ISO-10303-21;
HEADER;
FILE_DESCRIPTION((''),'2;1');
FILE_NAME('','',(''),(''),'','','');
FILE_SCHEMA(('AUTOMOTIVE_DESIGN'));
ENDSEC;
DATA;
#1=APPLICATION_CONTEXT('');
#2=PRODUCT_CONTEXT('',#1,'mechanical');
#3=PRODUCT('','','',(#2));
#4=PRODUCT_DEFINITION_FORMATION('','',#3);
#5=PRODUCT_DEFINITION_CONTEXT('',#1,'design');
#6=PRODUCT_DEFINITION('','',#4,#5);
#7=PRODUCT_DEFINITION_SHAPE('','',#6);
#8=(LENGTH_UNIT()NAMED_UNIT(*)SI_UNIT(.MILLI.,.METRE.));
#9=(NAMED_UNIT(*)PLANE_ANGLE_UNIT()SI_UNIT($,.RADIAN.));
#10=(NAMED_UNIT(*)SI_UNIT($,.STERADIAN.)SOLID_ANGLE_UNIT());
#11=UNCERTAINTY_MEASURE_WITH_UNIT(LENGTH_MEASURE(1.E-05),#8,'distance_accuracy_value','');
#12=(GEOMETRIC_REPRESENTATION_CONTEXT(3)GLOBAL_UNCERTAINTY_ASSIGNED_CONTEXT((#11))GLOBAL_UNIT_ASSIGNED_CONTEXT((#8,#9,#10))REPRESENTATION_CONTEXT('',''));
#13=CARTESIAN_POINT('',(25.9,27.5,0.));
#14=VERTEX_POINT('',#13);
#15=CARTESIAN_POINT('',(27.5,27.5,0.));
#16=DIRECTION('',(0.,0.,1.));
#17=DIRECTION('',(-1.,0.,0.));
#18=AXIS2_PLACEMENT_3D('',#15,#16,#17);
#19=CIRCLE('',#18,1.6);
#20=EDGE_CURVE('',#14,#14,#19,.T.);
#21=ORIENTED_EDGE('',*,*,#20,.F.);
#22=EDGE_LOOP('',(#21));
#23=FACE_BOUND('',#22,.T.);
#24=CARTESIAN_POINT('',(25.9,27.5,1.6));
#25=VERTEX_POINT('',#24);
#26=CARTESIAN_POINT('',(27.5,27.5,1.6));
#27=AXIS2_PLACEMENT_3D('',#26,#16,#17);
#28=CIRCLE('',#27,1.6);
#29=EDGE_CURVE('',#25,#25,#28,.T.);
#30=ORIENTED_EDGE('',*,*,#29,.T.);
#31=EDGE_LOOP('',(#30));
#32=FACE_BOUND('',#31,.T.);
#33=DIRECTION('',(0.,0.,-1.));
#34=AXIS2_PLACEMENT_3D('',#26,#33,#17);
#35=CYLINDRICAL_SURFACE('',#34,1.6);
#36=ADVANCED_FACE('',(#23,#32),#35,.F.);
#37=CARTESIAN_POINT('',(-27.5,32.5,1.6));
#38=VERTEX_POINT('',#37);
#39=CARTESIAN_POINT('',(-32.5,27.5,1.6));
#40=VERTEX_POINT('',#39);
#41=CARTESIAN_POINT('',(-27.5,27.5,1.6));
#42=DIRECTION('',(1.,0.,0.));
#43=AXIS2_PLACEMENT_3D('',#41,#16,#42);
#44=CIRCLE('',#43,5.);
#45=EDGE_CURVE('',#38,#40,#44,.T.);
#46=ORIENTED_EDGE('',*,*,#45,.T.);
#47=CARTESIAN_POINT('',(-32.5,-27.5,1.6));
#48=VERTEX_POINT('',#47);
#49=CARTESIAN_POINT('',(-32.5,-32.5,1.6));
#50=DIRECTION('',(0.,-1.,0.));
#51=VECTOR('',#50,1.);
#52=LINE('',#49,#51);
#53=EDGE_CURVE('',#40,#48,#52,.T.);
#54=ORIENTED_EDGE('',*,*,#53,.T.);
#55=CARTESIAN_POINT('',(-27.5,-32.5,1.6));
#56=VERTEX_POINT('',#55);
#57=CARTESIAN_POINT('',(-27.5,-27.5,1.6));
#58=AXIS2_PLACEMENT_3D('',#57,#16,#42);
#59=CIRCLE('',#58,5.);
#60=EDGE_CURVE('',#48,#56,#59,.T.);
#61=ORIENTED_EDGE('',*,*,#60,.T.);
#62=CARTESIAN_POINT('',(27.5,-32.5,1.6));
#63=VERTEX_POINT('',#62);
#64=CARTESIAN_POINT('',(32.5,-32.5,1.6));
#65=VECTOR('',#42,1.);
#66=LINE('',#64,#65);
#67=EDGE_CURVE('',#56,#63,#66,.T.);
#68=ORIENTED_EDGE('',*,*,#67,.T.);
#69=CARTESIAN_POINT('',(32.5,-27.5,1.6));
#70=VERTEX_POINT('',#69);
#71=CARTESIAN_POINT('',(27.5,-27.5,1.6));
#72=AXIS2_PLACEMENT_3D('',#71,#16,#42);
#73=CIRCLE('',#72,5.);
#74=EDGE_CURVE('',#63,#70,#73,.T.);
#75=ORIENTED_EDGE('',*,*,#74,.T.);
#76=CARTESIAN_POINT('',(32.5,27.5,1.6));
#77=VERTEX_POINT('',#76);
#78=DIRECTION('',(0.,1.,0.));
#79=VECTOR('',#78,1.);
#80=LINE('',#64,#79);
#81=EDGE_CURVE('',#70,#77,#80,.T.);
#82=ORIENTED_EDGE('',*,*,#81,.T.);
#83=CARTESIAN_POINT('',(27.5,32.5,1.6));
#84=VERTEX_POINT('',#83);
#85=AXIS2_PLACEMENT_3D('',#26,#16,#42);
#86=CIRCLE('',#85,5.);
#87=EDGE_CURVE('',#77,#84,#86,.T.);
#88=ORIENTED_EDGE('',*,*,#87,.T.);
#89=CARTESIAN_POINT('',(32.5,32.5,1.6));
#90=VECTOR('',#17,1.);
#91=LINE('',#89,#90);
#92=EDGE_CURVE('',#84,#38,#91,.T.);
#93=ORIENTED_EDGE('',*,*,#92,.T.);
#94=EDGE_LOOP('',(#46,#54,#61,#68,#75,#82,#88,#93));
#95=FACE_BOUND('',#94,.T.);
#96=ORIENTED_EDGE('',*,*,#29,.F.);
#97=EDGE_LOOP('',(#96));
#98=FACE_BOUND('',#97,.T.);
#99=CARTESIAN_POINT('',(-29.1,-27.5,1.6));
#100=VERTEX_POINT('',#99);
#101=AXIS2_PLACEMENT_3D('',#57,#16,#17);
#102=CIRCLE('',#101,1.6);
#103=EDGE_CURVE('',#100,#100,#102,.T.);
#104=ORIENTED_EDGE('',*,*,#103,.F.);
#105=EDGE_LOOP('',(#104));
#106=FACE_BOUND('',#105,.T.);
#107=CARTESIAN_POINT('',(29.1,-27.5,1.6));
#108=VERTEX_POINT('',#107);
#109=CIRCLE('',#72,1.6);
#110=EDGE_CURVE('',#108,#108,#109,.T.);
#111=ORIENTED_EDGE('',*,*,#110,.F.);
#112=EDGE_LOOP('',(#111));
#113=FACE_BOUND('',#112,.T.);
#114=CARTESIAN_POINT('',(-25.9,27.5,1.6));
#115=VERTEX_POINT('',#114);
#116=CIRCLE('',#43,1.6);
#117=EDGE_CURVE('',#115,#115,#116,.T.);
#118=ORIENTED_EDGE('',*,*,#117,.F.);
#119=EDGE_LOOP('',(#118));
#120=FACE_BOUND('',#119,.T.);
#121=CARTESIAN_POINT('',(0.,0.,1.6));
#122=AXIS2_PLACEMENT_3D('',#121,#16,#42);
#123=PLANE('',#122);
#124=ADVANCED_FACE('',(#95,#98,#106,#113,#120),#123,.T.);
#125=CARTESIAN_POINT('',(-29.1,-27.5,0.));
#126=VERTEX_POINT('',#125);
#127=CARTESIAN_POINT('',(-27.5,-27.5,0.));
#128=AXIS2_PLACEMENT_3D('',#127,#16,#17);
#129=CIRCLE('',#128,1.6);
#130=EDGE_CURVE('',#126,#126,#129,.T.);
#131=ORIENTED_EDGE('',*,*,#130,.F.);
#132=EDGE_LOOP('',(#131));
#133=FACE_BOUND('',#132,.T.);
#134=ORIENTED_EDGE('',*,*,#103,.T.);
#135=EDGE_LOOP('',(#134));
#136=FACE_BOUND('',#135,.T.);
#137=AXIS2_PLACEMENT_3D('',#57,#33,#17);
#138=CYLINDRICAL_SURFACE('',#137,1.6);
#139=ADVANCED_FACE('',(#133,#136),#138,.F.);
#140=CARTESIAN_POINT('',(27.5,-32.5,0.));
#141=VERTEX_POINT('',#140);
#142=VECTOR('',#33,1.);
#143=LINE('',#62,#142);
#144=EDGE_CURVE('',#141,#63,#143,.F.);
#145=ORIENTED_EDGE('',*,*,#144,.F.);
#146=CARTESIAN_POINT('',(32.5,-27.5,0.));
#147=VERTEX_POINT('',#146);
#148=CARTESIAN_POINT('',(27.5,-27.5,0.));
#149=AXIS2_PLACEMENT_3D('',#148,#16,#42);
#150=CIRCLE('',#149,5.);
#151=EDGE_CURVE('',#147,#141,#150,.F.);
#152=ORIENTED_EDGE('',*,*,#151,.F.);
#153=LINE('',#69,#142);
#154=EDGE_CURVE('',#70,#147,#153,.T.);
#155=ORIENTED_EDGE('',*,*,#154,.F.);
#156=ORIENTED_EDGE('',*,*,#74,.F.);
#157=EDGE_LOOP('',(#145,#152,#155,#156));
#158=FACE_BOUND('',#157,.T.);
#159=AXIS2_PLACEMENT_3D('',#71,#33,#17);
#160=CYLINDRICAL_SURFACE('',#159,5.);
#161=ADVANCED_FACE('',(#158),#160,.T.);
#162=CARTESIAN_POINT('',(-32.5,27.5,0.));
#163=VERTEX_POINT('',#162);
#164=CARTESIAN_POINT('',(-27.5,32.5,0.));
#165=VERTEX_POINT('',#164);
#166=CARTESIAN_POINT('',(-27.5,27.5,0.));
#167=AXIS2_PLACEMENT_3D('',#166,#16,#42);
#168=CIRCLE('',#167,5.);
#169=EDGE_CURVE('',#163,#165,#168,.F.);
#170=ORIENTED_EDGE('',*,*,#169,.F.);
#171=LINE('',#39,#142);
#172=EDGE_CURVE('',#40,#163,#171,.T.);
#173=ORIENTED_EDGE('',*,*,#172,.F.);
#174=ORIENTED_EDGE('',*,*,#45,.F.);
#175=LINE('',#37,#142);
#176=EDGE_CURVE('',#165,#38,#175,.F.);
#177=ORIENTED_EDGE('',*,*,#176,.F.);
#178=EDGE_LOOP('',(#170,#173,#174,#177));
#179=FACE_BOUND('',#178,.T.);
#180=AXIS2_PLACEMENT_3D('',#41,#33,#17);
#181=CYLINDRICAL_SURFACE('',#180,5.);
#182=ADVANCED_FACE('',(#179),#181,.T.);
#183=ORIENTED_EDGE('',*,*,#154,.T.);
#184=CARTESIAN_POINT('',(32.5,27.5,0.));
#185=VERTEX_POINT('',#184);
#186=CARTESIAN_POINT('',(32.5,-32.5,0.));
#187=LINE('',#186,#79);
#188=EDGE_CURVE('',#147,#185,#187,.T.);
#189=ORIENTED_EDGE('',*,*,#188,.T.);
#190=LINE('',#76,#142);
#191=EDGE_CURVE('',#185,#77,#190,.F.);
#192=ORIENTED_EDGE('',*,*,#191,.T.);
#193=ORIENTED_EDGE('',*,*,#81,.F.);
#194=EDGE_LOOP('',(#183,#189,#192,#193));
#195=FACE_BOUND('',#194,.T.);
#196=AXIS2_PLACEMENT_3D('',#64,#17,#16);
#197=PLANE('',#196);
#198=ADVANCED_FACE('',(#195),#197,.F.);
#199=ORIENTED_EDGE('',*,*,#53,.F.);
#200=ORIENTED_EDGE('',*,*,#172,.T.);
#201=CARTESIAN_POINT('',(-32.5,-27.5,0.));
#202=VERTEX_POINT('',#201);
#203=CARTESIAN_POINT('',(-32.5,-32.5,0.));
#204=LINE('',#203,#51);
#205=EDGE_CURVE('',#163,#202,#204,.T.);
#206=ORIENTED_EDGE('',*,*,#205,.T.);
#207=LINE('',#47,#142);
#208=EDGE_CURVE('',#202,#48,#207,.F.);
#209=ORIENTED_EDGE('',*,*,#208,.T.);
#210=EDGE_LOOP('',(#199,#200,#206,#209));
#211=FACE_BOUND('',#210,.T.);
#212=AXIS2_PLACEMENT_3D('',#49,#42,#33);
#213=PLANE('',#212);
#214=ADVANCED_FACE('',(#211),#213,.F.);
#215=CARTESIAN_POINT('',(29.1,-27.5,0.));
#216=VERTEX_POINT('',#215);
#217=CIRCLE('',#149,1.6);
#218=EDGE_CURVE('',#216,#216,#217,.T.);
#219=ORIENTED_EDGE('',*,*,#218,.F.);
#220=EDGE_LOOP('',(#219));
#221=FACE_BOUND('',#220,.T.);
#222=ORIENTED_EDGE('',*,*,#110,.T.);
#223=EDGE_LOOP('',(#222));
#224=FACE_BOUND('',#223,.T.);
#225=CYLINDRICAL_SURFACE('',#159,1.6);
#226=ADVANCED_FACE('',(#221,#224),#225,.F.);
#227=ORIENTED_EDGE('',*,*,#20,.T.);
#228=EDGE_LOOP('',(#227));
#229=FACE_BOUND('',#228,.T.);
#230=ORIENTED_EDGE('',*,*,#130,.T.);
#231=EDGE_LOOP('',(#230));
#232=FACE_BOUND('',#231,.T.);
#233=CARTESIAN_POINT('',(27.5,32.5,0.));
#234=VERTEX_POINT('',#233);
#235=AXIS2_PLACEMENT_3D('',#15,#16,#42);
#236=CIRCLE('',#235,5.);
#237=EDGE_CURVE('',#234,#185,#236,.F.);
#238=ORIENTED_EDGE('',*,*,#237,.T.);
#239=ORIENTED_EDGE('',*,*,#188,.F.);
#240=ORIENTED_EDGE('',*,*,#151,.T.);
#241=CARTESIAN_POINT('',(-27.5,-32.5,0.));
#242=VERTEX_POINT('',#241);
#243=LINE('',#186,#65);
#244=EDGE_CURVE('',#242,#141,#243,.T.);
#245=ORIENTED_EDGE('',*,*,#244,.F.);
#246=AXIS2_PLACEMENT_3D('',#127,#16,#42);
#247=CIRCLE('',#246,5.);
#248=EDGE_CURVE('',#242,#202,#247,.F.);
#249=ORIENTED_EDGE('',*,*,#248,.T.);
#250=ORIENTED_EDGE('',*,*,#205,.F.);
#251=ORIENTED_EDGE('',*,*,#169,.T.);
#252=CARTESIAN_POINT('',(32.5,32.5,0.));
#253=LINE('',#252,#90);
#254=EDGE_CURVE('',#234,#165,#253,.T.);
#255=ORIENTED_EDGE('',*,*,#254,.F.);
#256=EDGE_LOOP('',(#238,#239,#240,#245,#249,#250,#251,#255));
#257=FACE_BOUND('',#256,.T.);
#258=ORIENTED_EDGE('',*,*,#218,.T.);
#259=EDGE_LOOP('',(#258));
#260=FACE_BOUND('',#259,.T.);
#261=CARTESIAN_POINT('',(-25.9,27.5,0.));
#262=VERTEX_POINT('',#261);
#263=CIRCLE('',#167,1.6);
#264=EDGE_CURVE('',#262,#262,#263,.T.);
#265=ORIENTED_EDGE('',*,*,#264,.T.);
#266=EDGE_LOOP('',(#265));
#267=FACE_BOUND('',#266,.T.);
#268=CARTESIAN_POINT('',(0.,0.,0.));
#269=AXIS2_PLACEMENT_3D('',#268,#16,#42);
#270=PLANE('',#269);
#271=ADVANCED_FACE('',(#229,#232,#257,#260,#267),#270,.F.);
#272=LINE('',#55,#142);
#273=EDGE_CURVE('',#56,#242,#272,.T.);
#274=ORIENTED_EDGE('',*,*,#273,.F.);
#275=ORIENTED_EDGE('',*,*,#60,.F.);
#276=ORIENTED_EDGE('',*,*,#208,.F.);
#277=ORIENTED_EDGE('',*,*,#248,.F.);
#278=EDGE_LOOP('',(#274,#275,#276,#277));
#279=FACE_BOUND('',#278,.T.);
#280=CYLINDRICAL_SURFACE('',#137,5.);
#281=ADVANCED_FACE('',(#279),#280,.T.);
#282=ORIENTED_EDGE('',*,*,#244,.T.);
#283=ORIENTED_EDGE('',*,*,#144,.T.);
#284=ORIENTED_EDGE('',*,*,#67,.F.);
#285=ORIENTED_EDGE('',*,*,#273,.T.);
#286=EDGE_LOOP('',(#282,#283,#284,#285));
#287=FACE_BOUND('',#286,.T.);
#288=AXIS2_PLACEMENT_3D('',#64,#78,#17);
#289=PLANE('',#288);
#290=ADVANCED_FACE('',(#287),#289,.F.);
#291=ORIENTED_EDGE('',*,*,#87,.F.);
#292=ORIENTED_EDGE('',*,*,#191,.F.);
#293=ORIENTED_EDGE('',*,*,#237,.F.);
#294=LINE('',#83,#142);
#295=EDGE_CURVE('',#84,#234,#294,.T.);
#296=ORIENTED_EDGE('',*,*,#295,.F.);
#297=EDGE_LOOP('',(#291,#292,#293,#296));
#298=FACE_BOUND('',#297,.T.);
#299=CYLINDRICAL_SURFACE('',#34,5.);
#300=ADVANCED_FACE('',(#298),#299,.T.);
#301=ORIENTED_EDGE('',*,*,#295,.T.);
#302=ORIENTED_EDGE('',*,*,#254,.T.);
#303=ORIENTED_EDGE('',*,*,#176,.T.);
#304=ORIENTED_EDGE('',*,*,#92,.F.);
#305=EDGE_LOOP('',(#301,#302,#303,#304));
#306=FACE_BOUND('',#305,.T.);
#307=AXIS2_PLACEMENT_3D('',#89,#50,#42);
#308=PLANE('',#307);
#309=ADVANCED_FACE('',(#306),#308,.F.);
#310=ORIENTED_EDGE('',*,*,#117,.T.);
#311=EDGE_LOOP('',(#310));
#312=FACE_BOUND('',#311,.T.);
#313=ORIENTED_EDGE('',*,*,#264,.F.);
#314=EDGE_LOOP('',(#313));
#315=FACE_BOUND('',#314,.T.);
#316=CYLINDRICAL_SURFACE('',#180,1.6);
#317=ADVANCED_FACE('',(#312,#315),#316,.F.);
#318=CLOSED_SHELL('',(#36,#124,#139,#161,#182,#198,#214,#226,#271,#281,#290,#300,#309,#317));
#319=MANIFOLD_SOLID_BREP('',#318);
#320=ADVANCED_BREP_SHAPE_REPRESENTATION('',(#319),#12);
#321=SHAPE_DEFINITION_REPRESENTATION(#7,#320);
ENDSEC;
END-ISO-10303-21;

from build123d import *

# Parameters (mm, degrees)
SKETCH_1_W      = 65
SKETCH_1_H      = 65
SKETCH_1_R      = 1.6
EXTRUDE_1_DEPTH = 1.6
FILLET_1_R      = 5


with BuildPart() as part:
    # ｽｹｯﾁ1 → ﾎﾞｽ - 押し出し1 (new body)
    with BuildSketch(Plane.XY):
        Rectangle(SKETCH_1_W, SKETCH_1_H)
        with Locations((-27.5, 27.5)):
            Circle(SKETCH_1_R, mode=Mode.SUBTRACT)
        with Locations(Location((27.5, 27.5, 0), (0, 0, 180))):
            Circle(SKETCH_1_R, mode=Mode.SUBTRACT)
        with Locations(Location((-27.5, -27.5, 0), (0, 0, 180))):
            Circle(SKETCH_1_R, mode=Mode.SUBTRACT)
        with Locations((27.5, -27.5)):
            Circle(SKETCH_1_R, mode=Mode.SUBTRACT)
    extrude(amount=EXTRUDE_1_DEPTH)

    # ﾌｨﾚｯﾄ1
    fillet_1_edges = [part.edges().sort_by_distance(p)[0] for p in [
        (-32.5, 32.5, 0.8),
        (32.5, 32.5, 0.8),
        (32.5, -32.5, 0.8),
        (-32.5, -32.5, 0.8),
    ]]
    fillet(fillet_1_edges, radius=FILLET_1_R)


solid = part.part
